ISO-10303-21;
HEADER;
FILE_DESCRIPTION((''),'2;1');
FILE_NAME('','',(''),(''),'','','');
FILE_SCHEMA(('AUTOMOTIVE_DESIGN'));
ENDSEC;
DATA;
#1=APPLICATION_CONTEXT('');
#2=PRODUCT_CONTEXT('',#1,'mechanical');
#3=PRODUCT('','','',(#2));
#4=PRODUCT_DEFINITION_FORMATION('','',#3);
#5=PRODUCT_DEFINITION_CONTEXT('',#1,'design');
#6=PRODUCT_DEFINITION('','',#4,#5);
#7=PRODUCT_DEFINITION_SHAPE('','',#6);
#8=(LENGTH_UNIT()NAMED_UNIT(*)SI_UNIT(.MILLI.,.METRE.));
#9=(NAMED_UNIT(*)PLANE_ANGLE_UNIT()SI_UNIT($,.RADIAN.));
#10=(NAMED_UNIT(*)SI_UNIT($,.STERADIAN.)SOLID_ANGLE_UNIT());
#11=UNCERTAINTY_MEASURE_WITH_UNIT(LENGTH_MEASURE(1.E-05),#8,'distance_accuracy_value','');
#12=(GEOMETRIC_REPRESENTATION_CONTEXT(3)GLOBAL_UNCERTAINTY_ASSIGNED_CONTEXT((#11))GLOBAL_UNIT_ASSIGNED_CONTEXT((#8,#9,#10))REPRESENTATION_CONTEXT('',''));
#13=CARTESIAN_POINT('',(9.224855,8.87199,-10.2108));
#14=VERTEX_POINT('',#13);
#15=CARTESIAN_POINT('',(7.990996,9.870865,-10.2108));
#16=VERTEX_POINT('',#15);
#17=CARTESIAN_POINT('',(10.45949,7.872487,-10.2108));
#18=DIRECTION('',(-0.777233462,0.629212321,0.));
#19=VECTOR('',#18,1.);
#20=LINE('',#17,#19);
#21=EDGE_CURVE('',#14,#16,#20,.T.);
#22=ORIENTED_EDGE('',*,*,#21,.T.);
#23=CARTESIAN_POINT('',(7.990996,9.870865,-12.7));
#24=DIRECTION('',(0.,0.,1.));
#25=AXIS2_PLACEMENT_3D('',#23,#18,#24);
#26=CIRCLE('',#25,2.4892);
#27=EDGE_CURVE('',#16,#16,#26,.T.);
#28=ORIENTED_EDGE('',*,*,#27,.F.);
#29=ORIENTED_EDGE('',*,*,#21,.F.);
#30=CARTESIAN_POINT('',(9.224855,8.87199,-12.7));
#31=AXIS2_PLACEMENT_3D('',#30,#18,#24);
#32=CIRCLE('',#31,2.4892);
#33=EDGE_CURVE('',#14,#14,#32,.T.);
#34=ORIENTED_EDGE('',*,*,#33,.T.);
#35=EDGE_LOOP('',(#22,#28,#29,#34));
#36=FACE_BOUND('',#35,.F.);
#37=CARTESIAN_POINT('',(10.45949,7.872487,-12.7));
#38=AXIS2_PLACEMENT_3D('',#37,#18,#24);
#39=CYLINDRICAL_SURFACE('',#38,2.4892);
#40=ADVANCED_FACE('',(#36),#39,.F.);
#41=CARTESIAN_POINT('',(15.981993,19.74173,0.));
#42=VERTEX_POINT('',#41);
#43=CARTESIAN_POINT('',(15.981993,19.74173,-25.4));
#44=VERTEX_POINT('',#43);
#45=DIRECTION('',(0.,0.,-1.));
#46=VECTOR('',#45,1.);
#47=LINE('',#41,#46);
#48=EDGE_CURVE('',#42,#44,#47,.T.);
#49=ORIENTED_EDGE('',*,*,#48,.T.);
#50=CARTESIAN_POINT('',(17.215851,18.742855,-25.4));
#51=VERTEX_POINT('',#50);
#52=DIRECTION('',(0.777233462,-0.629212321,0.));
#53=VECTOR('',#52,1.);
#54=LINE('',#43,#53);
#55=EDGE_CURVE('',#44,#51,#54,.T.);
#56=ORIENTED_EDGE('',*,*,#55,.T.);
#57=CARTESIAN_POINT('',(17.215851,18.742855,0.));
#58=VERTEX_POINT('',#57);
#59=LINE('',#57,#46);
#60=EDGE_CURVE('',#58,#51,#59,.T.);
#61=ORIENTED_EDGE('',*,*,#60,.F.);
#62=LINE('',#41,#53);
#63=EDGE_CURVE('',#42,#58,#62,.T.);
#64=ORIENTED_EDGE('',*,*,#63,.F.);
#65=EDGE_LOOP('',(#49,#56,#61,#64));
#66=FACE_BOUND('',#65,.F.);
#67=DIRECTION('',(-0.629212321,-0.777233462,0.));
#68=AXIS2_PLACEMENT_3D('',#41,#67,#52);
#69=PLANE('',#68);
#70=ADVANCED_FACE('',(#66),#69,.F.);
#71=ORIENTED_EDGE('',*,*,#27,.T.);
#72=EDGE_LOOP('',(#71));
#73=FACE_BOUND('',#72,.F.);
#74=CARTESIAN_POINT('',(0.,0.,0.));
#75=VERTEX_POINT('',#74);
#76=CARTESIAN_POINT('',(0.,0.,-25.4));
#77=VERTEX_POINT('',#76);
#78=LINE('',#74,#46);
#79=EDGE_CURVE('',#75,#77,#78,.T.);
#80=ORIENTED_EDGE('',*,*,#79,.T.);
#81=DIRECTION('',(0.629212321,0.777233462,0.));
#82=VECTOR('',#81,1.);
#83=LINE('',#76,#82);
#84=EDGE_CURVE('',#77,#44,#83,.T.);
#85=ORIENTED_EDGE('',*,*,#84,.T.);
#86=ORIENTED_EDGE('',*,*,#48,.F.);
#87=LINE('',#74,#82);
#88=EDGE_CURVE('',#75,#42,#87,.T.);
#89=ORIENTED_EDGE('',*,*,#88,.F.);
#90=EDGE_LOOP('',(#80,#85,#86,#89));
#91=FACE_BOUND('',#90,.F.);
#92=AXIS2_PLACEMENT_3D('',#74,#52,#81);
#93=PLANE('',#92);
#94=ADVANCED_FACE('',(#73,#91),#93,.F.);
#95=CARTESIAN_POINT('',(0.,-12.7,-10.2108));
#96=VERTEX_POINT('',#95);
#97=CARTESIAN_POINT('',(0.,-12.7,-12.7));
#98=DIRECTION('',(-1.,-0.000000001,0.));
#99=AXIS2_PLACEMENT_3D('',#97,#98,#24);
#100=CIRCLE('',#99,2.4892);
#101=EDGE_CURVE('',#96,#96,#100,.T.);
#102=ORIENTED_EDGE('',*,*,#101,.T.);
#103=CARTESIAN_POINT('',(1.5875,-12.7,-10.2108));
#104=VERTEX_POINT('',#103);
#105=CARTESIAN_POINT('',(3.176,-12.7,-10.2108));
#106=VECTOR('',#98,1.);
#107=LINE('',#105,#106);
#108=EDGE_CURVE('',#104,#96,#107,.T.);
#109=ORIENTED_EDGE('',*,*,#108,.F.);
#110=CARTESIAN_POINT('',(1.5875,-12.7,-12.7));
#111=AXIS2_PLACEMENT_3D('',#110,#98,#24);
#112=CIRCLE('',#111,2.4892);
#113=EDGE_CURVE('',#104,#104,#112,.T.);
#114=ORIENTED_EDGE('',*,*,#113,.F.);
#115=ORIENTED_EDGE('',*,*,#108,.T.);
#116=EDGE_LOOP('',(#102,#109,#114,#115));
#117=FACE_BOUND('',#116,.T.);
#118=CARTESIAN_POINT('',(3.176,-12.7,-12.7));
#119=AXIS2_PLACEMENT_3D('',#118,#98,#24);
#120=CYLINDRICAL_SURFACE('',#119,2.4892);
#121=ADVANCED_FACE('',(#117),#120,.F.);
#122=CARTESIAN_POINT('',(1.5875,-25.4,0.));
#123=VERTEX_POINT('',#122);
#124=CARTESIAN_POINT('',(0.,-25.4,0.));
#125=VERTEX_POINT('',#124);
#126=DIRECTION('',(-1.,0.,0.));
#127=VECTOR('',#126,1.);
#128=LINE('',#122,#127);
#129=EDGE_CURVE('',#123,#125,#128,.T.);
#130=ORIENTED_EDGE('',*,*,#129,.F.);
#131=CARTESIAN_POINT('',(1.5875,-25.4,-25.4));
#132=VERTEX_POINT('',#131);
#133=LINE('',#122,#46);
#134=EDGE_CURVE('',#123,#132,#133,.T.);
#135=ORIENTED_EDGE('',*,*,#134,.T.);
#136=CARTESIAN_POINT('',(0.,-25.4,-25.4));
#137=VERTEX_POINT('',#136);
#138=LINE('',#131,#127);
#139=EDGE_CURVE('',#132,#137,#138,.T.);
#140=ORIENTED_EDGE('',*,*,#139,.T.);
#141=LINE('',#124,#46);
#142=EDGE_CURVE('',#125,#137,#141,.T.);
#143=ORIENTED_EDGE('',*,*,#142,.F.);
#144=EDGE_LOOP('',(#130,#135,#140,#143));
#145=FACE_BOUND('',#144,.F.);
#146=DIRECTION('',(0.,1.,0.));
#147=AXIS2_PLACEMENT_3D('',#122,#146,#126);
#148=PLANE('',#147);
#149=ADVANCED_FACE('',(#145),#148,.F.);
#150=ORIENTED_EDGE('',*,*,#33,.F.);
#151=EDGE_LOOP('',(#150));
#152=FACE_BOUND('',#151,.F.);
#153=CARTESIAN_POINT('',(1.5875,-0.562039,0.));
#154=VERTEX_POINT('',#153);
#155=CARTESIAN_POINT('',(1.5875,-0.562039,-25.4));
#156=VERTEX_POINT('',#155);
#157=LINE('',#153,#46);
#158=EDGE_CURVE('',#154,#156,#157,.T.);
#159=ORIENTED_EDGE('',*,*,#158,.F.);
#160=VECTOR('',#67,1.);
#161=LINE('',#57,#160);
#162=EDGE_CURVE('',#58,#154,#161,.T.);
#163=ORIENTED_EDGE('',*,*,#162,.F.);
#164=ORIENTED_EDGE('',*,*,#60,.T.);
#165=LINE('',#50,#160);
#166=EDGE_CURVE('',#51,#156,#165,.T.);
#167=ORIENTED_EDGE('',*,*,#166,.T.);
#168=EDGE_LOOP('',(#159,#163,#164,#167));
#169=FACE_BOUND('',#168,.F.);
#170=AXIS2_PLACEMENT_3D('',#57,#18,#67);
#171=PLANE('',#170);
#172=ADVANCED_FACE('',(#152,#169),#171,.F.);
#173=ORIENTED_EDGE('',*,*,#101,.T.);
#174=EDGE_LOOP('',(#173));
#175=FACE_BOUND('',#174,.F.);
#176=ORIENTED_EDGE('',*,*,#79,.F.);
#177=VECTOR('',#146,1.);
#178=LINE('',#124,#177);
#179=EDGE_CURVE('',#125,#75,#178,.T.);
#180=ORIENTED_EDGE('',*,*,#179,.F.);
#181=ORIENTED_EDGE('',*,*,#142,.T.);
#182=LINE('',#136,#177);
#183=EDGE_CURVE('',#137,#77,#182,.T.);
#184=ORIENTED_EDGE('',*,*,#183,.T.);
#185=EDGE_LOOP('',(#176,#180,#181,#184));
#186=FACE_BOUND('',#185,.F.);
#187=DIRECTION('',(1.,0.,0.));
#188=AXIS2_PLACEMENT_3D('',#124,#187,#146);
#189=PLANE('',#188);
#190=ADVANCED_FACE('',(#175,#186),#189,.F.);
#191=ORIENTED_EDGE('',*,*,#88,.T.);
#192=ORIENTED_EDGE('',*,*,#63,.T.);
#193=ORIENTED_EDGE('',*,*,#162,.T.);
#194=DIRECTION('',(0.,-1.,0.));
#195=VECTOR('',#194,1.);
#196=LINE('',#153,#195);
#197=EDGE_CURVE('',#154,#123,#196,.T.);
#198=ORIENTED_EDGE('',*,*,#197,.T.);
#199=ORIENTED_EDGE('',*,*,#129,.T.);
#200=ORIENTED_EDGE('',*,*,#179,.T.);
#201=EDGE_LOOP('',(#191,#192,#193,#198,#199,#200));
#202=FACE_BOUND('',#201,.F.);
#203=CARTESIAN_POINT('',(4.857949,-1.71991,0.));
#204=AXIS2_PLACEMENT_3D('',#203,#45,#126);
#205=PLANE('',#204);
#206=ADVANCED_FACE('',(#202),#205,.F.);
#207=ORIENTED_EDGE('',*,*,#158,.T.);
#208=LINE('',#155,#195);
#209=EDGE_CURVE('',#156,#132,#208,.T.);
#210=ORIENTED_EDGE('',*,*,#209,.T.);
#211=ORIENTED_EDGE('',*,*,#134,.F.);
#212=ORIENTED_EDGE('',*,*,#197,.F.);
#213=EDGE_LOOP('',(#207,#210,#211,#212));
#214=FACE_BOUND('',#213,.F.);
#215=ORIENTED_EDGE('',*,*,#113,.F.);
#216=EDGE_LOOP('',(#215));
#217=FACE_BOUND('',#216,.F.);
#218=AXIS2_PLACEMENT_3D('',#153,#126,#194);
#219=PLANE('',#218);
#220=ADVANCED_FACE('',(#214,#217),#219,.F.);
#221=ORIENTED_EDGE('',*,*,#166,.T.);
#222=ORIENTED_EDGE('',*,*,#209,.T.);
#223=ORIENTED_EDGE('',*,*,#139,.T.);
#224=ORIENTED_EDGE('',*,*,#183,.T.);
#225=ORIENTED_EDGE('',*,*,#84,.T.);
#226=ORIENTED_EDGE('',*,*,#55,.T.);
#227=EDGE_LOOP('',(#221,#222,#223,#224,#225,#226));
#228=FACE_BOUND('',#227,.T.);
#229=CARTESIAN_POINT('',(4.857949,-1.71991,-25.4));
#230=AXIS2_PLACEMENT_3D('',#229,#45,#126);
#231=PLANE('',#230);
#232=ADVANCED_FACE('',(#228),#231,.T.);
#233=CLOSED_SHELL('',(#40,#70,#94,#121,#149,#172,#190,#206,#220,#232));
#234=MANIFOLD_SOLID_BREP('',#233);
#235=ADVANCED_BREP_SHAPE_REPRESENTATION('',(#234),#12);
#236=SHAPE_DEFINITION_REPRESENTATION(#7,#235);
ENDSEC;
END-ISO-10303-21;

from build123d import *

# Parameters (mm, degrees)
EXTRUDE_THIN1_DEPTH            = 25.4
F_9_0_196_DIAMETER_HOLE1_D     = 4.9784
F_9_0_196_DIAMETER_HOLE1_DEPTH = 1.5885


with BuildPart() as part:
    # Sketch1 → Extrude-Thin1 (new body)
    with BuildSketch(Plane.XY):
        Polygon((0, -25.4), (0, 0), (15.981992956, 19.741729943), (17.215851078, 18.742855383), (1.5875, -0.562039024), (1.5875, -25.4), align=None)
    extrude(amount=-EXTRUDE_THIN1_DEPTH)

    # #9 (0.196) Diameter Hole1
    with Locations(Plane(origin=(1.233858121, -0.99887456, 0), x_dir=(0, 0, -1), z_dir=(0.777233462, -0.629212321, 0))):
        with Locations((12.7, 12.7)):
            f_9_0_196_diameter_hole1 = Hole(F_9_0_196_DIAMETER_HOLE1_D / 2, depth=F_9_0_196_DIAMETER_HOLE1_DEPTH)

    # Mirror1: #9 (0.196) Diameter Hole1 across plane
    add(f_9_0_196_diameter_hole1.mirror(Plane(origin=(0, 0, 0), x_dir=(0, 0, 1), z_dir=(-0.33374132, -0.942664697, 0))), mode=Mode.SUBTRACT)


solid = part.part
